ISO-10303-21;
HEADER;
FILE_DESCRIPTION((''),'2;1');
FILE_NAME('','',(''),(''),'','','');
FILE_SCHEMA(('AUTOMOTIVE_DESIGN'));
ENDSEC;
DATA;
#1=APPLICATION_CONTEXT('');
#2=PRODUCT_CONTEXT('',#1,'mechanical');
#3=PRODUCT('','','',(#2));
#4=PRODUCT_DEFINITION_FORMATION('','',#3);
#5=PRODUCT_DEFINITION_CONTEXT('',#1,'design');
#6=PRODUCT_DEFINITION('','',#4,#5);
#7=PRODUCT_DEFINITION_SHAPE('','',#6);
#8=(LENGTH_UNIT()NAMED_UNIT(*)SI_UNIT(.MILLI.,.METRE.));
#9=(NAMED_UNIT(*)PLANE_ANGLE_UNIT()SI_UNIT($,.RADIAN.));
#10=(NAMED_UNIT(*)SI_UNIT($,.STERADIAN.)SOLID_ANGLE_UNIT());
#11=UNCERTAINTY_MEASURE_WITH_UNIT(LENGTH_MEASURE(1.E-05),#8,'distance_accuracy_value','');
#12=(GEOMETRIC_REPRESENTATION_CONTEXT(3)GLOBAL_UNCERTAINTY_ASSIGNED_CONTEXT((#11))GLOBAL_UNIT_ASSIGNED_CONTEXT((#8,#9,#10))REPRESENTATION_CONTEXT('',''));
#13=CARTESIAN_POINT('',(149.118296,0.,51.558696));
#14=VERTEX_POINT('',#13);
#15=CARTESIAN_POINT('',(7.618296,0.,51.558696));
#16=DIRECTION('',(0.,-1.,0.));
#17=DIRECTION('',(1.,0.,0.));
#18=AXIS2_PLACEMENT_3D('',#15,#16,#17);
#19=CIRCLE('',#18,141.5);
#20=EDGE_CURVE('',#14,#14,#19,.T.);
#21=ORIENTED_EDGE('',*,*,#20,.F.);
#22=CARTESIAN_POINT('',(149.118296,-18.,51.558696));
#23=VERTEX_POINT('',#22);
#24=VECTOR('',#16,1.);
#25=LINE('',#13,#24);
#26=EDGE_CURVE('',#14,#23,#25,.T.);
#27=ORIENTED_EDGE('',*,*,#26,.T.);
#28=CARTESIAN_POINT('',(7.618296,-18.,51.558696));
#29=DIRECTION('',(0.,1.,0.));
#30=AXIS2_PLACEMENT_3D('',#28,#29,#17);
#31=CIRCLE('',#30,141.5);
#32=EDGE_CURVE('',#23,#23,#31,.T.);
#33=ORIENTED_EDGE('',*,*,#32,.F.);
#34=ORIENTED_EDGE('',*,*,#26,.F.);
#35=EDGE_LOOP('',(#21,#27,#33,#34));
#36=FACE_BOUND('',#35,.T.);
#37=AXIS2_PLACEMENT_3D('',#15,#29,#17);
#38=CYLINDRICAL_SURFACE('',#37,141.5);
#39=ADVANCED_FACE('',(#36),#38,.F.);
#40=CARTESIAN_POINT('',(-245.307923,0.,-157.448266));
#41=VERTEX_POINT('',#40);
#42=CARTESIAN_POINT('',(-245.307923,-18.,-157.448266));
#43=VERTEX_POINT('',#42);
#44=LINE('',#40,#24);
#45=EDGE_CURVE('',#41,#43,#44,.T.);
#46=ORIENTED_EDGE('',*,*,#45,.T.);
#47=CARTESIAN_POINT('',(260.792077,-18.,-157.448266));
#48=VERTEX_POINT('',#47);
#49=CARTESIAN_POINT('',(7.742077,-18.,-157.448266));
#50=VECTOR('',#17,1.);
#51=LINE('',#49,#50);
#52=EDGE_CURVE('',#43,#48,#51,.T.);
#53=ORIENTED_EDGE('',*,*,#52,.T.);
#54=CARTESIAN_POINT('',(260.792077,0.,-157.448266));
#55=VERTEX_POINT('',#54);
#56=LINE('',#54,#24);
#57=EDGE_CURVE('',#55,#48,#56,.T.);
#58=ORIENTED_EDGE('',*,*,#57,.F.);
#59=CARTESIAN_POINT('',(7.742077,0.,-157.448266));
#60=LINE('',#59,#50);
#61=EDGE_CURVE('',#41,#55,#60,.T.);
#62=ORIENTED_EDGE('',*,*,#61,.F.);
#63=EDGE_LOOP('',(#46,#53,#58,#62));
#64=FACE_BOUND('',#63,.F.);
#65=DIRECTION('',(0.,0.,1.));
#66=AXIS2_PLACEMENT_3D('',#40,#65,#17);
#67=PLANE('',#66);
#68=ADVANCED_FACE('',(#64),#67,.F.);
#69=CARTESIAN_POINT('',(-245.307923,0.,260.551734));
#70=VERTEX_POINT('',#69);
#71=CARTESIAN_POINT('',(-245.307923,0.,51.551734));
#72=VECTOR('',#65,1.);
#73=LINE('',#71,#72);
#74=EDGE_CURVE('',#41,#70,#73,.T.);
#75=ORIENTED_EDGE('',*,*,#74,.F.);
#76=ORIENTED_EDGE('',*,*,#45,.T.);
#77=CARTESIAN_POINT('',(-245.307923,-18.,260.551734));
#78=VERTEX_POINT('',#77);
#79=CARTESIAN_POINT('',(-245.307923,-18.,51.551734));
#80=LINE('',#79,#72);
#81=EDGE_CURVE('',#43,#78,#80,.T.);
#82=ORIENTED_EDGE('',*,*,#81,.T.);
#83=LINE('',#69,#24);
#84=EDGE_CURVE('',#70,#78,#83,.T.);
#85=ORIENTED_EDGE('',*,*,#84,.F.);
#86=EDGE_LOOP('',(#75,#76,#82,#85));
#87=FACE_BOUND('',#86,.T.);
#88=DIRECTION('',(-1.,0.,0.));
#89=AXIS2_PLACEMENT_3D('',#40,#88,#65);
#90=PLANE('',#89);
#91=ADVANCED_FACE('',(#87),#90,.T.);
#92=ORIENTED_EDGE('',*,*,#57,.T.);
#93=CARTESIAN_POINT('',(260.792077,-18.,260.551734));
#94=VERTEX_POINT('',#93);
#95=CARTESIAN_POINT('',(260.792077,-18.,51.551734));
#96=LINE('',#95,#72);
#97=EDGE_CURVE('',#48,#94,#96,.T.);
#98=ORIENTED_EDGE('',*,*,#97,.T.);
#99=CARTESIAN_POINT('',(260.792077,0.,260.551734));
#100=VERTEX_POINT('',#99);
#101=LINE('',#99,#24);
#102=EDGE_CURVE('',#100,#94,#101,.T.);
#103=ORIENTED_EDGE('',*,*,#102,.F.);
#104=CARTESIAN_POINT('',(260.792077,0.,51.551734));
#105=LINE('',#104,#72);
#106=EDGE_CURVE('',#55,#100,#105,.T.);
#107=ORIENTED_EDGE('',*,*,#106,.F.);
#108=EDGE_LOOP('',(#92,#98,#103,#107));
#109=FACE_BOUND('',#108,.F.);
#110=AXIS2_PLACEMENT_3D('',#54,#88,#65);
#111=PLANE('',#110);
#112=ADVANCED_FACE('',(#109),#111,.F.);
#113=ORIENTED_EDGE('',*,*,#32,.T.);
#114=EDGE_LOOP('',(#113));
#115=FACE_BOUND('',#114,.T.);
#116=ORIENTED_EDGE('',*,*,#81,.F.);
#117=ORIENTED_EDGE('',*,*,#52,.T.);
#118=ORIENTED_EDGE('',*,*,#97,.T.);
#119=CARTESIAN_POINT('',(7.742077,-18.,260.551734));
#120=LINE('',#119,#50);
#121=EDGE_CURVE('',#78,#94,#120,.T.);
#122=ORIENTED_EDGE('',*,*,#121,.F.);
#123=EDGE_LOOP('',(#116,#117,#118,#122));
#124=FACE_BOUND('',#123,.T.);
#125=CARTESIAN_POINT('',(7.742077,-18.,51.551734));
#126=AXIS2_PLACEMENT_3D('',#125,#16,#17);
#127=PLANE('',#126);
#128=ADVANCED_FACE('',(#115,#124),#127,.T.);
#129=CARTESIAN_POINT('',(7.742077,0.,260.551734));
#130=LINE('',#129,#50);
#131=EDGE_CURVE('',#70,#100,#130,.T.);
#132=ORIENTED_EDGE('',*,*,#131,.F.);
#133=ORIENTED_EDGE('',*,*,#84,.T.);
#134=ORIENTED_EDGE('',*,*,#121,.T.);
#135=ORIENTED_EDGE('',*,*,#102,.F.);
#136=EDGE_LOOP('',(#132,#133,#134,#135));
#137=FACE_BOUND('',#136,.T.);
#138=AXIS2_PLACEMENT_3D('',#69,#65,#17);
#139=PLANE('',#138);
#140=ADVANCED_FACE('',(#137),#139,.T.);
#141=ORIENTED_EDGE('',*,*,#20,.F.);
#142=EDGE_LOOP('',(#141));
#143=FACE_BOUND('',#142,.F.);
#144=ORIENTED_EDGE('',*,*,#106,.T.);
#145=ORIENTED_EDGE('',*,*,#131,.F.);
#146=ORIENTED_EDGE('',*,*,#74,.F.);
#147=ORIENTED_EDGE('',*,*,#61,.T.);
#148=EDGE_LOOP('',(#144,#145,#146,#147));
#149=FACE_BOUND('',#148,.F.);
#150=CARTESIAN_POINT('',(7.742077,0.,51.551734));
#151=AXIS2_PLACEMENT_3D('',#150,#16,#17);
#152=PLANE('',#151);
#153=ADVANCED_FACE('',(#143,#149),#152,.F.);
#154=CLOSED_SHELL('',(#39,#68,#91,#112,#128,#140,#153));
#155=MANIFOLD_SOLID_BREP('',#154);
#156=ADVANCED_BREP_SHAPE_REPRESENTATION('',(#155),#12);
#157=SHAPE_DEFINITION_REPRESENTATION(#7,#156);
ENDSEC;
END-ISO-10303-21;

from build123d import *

# Parameters (mm, degrees)
F0_W     = 506.1
F0_H     = 418
F2_DEPTH = 18
F1_R     = 141.5
F3_DEPTH = 18.001


with BuildPart() as f2:
    # F0 (on Front) → F2 (new body)
    with BuildSketch(Plane.XZ):
        with Locations((7.742077, 51.551734)):
            Rectangle(F0_W, F0_H)
    extrude(amount=F2_DEPTH)

    # F1 (on Front) → F3 (cut, through all)
    with BuildSketch(Plane.XZ):
        with Locations((7.618296, 51.558696)):
            Circle(F1_R)
    extrude(amount=F3_DEPTH, mode=Mode.SUBTRACT)


solid = f2.part
